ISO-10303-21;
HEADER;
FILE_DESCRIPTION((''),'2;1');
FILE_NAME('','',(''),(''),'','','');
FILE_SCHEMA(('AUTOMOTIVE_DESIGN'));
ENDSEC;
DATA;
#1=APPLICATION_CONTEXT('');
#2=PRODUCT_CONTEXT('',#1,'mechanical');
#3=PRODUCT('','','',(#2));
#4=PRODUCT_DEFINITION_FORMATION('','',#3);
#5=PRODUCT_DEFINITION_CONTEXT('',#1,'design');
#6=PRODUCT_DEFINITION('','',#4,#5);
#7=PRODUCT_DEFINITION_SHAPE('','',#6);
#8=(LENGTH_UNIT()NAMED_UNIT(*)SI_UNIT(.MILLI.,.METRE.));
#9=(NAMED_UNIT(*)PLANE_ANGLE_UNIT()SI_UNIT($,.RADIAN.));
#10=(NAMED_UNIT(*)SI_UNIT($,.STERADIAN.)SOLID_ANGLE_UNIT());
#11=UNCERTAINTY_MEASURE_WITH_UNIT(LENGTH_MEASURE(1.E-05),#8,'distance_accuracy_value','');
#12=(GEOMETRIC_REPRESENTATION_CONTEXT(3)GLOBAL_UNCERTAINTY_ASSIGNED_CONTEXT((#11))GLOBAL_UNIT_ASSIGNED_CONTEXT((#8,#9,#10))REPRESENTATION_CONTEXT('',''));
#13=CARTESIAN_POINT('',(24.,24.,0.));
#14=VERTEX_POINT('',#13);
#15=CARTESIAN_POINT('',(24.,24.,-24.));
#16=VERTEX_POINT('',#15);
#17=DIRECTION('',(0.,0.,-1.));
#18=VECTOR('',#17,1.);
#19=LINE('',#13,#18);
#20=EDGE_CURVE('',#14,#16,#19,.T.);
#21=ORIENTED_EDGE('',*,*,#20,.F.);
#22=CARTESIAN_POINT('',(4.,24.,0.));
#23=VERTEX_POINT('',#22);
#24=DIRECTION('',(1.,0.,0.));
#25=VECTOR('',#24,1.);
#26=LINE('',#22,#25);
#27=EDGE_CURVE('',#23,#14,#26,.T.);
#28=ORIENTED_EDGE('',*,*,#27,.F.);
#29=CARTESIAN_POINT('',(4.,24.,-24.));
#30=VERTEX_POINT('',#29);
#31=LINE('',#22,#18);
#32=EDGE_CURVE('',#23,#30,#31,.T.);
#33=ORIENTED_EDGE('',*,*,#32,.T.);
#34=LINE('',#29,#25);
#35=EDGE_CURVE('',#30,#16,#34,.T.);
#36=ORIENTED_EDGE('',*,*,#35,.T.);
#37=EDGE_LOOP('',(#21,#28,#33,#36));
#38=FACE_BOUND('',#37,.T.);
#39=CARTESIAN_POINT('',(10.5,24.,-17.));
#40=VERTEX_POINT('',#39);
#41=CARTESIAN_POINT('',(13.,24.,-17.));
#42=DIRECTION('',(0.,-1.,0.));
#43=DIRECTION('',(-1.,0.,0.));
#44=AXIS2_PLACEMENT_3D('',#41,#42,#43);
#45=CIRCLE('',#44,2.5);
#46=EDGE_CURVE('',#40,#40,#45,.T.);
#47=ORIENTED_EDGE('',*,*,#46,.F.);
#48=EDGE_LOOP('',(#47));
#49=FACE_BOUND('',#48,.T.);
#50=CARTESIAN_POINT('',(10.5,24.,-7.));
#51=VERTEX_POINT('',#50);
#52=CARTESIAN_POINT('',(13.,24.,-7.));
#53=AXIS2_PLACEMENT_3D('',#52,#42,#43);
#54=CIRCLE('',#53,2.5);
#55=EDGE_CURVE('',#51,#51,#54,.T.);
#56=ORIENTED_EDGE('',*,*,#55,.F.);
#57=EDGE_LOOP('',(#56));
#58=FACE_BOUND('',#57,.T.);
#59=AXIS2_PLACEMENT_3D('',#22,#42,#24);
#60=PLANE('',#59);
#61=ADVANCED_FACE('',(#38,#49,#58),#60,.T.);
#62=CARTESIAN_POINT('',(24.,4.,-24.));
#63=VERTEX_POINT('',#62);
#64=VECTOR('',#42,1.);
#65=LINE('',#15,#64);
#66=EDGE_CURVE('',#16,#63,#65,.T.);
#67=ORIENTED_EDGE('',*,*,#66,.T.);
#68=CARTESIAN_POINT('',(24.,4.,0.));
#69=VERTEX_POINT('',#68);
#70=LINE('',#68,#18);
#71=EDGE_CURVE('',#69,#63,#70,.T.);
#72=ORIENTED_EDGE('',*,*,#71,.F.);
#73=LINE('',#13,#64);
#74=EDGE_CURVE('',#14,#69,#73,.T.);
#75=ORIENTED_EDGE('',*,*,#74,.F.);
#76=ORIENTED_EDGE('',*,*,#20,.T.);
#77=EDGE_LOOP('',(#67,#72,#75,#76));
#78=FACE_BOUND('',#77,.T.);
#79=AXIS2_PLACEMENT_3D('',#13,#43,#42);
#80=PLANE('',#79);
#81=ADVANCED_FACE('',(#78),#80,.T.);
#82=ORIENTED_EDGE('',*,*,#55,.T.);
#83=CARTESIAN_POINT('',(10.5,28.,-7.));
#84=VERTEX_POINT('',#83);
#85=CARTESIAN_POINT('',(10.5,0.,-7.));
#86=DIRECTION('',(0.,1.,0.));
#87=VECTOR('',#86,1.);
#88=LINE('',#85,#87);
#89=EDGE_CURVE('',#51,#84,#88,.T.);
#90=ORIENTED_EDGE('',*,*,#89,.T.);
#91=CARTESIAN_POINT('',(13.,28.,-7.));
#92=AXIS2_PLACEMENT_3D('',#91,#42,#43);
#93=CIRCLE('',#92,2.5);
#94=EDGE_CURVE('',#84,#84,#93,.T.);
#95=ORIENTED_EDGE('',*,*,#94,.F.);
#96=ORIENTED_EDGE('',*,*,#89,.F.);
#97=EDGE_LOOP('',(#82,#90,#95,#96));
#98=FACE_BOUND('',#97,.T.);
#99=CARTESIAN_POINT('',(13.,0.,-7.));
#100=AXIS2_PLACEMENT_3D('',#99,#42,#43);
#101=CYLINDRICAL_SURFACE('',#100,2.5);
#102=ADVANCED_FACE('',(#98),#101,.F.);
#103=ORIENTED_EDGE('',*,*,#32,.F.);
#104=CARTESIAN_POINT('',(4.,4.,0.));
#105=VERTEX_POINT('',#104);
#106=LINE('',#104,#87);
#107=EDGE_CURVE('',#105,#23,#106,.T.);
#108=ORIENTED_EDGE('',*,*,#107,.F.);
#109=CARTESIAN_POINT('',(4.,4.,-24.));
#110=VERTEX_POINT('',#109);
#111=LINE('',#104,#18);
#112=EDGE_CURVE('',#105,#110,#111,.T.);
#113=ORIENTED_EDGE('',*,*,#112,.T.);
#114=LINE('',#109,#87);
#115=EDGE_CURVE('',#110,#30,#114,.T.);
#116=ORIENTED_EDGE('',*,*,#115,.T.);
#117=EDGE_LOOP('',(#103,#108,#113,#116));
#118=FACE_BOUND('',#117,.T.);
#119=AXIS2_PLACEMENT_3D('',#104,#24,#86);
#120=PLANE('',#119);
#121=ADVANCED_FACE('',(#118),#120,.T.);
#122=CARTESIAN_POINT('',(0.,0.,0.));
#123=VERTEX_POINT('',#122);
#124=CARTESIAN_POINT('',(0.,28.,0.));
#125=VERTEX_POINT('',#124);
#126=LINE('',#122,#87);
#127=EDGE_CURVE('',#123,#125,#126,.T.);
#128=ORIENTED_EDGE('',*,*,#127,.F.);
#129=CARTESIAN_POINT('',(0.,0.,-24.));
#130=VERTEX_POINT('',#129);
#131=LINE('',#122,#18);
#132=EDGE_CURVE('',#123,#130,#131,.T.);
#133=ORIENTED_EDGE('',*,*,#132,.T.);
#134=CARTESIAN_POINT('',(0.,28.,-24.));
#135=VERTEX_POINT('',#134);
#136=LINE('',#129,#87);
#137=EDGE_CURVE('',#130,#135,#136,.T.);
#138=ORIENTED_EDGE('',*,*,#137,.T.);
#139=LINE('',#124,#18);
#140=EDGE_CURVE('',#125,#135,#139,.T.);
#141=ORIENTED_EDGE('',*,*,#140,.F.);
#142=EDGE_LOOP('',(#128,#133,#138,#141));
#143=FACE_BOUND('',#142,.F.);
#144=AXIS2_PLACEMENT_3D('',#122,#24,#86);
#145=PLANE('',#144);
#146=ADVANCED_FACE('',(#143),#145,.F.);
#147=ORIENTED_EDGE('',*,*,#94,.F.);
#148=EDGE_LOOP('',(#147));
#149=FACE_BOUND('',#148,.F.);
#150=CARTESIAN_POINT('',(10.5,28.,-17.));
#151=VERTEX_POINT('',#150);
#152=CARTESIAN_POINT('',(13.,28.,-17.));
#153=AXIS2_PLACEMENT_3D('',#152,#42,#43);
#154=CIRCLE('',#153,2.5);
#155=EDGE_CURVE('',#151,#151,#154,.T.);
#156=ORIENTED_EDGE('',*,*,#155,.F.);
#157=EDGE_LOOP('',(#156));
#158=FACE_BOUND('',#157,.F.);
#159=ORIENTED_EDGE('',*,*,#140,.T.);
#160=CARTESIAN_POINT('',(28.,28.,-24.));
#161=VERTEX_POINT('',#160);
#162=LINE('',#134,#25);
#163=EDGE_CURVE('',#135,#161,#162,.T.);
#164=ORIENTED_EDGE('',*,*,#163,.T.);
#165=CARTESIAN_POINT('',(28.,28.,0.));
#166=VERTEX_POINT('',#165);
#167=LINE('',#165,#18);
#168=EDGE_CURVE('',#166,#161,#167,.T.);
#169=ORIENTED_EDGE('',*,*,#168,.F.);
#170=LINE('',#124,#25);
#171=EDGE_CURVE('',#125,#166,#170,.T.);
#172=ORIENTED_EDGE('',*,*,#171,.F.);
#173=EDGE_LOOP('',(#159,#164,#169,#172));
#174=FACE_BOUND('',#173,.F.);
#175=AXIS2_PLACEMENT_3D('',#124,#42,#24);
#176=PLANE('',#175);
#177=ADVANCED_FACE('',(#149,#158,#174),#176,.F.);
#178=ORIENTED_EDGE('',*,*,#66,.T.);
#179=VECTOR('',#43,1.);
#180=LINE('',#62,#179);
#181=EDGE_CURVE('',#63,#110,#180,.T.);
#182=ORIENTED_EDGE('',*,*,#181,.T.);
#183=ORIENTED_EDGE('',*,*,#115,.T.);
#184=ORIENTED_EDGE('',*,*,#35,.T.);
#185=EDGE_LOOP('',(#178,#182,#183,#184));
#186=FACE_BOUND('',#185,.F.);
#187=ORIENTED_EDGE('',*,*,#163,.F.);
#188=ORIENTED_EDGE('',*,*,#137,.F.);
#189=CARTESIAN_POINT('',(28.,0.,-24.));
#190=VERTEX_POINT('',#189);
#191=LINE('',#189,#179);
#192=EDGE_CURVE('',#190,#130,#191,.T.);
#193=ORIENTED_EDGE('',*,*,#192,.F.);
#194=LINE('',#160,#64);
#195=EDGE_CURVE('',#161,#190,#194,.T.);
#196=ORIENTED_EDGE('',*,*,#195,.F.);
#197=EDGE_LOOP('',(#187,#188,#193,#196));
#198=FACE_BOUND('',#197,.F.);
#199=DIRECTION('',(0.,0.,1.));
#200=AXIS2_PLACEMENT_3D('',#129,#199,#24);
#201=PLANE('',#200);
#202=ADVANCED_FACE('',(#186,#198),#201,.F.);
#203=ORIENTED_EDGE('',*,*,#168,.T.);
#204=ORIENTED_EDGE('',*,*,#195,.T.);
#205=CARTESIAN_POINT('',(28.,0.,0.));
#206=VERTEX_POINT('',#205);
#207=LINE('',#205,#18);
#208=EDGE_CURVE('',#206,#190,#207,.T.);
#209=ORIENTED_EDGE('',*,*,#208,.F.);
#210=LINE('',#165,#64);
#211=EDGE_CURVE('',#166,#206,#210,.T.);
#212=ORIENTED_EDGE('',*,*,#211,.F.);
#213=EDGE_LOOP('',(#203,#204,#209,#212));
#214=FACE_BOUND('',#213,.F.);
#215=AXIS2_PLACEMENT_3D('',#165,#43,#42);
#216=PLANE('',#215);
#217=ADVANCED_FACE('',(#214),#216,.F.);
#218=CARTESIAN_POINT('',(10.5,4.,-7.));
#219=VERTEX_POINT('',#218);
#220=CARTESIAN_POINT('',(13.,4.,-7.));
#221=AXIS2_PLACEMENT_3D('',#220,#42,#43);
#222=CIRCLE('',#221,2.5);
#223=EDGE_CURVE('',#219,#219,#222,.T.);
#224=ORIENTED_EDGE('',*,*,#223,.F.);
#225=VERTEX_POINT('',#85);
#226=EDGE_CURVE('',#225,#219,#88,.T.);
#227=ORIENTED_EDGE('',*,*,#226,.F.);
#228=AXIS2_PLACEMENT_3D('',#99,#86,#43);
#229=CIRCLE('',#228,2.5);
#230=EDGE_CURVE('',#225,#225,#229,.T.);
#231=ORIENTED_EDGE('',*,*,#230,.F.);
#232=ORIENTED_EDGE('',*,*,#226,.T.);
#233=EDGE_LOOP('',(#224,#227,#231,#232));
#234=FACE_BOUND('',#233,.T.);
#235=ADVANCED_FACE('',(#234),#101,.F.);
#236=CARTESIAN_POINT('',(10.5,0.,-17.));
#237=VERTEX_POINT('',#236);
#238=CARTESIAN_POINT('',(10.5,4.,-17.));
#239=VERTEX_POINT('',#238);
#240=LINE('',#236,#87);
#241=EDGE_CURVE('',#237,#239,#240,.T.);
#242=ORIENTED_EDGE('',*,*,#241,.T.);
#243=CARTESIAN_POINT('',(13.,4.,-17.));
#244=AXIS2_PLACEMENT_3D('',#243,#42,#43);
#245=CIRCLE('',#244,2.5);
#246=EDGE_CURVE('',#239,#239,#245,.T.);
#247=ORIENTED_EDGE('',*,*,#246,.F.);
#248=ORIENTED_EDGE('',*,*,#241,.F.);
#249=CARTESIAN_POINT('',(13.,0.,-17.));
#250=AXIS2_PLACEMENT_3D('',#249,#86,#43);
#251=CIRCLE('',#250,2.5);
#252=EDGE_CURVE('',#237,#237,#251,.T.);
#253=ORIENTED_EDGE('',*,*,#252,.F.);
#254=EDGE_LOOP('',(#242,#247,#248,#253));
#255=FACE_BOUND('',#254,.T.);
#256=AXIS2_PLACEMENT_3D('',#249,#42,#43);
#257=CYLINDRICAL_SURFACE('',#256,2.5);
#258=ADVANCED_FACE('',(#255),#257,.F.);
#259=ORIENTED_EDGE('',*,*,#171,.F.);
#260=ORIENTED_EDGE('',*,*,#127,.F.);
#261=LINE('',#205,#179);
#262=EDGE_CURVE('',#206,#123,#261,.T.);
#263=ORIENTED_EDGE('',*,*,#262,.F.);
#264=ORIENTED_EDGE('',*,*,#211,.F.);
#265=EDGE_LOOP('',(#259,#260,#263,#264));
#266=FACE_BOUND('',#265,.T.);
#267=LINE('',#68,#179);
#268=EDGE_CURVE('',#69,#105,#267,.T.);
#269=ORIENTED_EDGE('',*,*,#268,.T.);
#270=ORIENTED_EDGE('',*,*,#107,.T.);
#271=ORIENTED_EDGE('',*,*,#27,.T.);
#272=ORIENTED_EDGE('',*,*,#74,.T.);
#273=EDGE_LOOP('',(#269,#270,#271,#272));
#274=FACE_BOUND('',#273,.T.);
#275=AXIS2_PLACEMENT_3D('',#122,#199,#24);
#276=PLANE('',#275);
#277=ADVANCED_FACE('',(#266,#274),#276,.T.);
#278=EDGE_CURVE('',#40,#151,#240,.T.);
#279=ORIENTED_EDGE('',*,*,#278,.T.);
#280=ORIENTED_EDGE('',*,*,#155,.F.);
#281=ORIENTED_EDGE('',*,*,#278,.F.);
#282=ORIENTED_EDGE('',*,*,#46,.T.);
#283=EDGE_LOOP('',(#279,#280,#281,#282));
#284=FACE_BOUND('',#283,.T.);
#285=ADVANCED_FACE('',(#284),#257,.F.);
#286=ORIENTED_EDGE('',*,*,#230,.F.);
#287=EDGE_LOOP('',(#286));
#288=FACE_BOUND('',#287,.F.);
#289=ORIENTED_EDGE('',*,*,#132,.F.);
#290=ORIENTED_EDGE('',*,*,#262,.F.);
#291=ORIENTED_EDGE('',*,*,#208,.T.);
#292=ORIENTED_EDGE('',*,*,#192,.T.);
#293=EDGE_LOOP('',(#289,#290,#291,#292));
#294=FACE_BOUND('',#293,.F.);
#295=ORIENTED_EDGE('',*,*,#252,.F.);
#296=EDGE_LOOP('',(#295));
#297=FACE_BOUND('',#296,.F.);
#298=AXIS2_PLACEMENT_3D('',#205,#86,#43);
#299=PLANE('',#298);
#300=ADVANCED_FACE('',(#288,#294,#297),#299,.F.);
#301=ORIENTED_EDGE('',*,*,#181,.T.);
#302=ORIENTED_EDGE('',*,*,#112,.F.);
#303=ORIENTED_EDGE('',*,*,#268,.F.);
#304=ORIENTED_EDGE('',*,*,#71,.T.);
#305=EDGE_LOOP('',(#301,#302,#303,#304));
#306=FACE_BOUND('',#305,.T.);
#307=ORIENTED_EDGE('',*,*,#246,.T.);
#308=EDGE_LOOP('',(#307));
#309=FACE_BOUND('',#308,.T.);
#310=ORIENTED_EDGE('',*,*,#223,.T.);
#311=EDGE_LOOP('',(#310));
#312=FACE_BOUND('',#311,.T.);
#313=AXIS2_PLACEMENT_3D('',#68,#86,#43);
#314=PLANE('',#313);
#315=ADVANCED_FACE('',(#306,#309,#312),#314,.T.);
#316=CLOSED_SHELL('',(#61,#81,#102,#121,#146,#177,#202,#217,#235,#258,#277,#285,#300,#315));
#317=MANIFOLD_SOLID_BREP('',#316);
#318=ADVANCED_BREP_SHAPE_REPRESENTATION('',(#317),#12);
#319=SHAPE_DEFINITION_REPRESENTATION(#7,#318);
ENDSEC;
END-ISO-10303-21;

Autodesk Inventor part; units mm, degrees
ref_plane "YZ Plane" through (0, 0, 0) normal (1, 0, 0) x (0, 1, 0)
ref_plane "XZ Plane" through (0, 0, 0) normal (0, 1, 0) x (-1, 0, 0)
ref_plane "XY Plane" through (0, 0, 0) normal (0, 0, 1) x (1, 0, 0)
sketch "Sketch1" plane through (0, 0, 0) normal (0, 0, 1) x (1, 0, 0)
  line L0 (0, 28) -> (28, 28)
  line L1 (28, 28) -> (28, 0)
  line L2 (28, 0) -> (0, 0)
  line L3 (0, 0) -> (0, 28)
  line L4 (4, 24) -> (24, 24)
  line L5 (24, 24) -> (24, 4)
  line L6 (24, 4) -> (4, 4)
  line L7 (4, 4) -> (4, 24)
  point P0 (14, 24)
  dimension "d1" = 28
  dimension "d3" = 20
  dimension "d4" = 4
  dimension "d5" = 4
  dimension "d6" = 28
  dimension "d7" = 20
sketch "Sketch2" plane through (0, 0, 0) normal (0, 1, 0) x (-1, 0, 0)
  line L0 (0, 0) -> (0, -24)
  line L1 (0, -24) -> (-26, -24)
  line L2 (-26, -24) -> (-26, 0)
  circle A0 centre (-13, -17) radius 2.5
  circle A1 centre (-13, -7) radius 2.5
  line L3 (-26, 0) -> (0, 0)
  dimension "d8" = 24
  dimension "d9" = 26
  dimension "d10" = 24
  dimension "d13" = 7
  dimension "d14" = 13
  dimension "d15" = 5
  dimension "d16" = 13
  dimension "d17" = 7
  dimension "d18" = 5
extrude "Extrusion1" add sketch "Sketch1" against normal blind 24
extrude "Extrusion2" cut sketch "Sketch2" along normal blind 29.975 contours A0 | A1
properties part number "Aluminium2020-connector"
